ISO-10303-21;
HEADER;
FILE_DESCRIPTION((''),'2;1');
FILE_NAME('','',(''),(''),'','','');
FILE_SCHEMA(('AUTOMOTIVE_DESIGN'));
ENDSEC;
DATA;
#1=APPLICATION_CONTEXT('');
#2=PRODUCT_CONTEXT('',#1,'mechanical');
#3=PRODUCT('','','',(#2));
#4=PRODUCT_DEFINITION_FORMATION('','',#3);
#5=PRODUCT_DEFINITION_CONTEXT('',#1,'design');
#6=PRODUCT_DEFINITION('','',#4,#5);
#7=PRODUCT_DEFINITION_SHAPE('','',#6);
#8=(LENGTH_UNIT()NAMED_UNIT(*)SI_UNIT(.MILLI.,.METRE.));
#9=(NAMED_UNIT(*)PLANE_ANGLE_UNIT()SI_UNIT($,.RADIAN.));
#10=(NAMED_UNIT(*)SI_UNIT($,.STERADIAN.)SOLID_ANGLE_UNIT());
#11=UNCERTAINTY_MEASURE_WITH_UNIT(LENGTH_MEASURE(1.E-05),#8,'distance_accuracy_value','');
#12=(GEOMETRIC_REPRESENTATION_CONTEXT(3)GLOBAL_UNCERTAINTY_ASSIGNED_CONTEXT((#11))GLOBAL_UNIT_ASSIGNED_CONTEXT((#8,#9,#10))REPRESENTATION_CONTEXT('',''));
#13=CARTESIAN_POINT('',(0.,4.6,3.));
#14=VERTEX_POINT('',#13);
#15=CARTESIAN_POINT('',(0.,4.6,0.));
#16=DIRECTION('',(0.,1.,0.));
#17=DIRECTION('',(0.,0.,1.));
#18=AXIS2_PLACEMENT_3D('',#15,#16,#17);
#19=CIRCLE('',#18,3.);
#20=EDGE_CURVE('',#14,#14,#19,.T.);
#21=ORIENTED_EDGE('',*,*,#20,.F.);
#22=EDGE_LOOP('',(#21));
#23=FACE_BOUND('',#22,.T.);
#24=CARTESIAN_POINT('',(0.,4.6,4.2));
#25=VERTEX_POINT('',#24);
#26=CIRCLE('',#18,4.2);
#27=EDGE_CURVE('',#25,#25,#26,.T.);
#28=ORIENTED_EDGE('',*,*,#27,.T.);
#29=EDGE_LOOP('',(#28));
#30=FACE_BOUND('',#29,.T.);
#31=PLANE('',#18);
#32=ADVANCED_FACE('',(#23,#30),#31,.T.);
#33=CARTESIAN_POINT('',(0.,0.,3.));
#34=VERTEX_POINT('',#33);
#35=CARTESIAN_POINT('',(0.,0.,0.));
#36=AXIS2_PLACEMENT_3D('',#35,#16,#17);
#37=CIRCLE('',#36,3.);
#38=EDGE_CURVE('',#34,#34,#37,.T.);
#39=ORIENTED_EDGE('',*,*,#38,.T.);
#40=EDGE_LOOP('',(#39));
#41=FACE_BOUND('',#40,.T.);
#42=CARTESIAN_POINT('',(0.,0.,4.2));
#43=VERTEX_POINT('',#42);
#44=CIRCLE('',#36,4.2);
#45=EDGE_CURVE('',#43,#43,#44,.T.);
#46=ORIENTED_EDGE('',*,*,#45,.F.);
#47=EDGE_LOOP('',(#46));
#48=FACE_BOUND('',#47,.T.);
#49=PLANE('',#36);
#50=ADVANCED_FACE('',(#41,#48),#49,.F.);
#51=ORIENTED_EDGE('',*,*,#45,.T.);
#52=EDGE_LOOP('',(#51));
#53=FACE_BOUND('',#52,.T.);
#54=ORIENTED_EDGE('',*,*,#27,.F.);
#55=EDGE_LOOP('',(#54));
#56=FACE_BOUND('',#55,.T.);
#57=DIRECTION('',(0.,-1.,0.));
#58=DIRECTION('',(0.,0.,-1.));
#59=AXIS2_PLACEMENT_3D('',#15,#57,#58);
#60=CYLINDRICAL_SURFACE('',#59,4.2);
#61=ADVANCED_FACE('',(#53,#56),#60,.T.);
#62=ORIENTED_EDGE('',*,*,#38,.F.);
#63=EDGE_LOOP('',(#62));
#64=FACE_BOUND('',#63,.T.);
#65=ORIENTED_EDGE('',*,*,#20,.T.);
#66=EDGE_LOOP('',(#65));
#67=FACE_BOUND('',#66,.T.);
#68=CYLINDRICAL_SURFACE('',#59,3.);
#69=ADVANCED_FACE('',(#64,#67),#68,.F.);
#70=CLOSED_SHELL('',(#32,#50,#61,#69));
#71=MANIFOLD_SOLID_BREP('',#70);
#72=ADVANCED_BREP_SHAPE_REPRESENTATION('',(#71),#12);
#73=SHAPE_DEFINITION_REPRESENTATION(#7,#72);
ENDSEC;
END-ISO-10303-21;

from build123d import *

# Parameters (mm, degrees)
SKETCH_1_R      = 4.2
SKETCH_1_R_2    = 3
EXTRUDE_1_DEPTH = 4.6


with BuildPart() as part:
    # ｽｹｯﾁ1 → ﾎﾞｽ - 押し出し1 (new body)
    with BuildSketch(Plane(origin=(0, 0, 0), x_dir=(1, 0, 0), z_dir=(0, 1, 0))):
        with Locations(Location((0, 0, 0), (0, 0, 270))):
            Circle(SKETCH_1_R)
        with Locations(Location((0, 0, 0), (0, 0, 270))):
            Circle(SKETCH_1_R_2, mode=Mode.SUBTRACT)
    extrude(amount=EXTRUDE_1_DEPTH)


solid = part.part
